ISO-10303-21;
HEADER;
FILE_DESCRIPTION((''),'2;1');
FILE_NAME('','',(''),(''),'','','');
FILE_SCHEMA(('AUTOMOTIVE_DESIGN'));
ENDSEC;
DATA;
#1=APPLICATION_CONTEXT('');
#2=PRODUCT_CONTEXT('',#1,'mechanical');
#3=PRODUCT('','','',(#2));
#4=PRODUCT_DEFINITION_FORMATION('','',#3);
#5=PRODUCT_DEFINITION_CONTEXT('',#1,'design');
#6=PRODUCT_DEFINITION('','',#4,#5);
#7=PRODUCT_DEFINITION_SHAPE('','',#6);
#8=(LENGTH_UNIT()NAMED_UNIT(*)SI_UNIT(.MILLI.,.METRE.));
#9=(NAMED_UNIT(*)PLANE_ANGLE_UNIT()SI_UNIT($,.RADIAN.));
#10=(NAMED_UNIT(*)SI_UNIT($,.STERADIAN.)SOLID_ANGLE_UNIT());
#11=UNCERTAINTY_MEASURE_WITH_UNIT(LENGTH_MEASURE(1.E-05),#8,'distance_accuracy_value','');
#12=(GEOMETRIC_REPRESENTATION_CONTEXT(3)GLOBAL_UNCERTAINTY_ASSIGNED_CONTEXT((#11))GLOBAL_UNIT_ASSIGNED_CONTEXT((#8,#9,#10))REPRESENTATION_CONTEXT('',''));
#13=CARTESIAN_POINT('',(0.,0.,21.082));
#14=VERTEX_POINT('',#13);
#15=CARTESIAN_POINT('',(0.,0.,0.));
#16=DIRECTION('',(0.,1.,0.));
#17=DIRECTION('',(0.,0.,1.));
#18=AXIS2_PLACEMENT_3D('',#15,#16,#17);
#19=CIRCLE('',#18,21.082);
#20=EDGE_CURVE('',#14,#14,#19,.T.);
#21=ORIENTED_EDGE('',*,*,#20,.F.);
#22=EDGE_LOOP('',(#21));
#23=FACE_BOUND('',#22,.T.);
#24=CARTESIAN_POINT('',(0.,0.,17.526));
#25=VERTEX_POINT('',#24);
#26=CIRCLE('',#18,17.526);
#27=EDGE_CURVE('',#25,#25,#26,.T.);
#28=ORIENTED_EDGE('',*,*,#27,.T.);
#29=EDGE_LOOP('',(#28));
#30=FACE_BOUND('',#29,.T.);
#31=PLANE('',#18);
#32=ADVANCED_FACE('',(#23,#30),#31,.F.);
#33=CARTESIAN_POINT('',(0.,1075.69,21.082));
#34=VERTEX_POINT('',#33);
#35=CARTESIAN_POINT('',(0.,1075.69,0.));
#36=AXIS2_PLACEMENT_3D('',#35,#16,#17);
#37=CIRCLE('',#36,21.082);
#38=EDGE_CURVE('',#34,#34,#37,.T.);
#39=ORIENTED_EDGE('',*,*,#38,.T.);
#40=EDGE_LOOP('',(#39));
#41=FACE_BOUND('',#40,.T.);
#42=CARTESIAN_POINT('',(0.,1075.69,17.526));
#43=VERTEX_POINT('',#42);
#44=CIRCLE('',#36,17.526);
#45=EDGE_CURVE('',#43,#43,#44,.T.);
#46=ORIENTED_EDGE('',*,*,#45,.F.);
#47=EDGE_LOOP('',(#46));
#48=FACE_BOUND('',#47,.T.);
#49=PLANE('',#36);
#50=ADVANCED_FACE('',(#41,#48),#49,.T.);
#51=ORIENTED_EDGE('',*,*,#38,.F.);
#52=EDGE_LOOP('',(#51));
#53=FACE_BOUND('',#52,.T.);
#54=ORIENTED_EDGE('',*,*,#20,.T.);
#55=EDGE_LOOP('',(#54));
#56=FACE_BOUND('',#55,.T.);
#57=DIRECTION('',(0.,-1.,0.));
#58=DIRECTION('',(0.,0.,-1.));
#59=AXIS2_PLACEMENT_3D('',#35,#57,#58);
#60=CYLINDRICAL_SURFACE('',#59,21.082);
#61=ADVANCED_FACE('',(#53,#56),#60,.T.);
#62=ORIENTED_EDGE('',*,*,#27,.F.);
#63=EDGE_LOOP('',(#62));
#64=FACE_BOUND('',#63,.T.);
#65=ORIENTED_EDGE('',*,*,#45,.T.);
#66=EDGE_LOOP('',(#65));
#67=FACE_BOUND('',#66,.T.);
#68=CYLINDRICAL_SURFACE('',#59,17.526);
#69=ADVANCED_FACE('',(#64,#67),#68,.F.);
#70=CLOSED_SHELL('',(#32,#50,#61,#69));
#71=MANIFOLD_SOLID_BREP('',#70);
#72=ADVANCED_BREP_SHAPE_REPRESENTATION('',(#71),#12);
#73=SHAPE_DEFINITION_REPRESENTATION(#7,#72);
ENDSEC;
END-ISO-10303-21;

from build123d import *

# Parameters (mm, degrees)
SKETCH1_R           = 21.082
SKETCH1_R_2         = 17.526
BOSS_EXTRUDE1_DEPTH = 1075.69


with BuildPart() as part:
    # Sketch1 → Boss-Extrude1 (new body)
    with BuildSketch(Plane(origin=(0, 0, 0), x_dir=(1, 0, 0), z_dir=(0, 1, 0))):
        with Locations(Location((0, 0, 0), (0, 0, 270))):
            Circle(SKETCH1_R)
        with Locations(Location((0, 0, 0), (0, 0, 270))):
            Circle(SKETCH1_R_2, mode=Mode.SUBTRACT)
    extrude(amount=BOSS_EXTRUDE1_DEPTH)


solid = part.part
